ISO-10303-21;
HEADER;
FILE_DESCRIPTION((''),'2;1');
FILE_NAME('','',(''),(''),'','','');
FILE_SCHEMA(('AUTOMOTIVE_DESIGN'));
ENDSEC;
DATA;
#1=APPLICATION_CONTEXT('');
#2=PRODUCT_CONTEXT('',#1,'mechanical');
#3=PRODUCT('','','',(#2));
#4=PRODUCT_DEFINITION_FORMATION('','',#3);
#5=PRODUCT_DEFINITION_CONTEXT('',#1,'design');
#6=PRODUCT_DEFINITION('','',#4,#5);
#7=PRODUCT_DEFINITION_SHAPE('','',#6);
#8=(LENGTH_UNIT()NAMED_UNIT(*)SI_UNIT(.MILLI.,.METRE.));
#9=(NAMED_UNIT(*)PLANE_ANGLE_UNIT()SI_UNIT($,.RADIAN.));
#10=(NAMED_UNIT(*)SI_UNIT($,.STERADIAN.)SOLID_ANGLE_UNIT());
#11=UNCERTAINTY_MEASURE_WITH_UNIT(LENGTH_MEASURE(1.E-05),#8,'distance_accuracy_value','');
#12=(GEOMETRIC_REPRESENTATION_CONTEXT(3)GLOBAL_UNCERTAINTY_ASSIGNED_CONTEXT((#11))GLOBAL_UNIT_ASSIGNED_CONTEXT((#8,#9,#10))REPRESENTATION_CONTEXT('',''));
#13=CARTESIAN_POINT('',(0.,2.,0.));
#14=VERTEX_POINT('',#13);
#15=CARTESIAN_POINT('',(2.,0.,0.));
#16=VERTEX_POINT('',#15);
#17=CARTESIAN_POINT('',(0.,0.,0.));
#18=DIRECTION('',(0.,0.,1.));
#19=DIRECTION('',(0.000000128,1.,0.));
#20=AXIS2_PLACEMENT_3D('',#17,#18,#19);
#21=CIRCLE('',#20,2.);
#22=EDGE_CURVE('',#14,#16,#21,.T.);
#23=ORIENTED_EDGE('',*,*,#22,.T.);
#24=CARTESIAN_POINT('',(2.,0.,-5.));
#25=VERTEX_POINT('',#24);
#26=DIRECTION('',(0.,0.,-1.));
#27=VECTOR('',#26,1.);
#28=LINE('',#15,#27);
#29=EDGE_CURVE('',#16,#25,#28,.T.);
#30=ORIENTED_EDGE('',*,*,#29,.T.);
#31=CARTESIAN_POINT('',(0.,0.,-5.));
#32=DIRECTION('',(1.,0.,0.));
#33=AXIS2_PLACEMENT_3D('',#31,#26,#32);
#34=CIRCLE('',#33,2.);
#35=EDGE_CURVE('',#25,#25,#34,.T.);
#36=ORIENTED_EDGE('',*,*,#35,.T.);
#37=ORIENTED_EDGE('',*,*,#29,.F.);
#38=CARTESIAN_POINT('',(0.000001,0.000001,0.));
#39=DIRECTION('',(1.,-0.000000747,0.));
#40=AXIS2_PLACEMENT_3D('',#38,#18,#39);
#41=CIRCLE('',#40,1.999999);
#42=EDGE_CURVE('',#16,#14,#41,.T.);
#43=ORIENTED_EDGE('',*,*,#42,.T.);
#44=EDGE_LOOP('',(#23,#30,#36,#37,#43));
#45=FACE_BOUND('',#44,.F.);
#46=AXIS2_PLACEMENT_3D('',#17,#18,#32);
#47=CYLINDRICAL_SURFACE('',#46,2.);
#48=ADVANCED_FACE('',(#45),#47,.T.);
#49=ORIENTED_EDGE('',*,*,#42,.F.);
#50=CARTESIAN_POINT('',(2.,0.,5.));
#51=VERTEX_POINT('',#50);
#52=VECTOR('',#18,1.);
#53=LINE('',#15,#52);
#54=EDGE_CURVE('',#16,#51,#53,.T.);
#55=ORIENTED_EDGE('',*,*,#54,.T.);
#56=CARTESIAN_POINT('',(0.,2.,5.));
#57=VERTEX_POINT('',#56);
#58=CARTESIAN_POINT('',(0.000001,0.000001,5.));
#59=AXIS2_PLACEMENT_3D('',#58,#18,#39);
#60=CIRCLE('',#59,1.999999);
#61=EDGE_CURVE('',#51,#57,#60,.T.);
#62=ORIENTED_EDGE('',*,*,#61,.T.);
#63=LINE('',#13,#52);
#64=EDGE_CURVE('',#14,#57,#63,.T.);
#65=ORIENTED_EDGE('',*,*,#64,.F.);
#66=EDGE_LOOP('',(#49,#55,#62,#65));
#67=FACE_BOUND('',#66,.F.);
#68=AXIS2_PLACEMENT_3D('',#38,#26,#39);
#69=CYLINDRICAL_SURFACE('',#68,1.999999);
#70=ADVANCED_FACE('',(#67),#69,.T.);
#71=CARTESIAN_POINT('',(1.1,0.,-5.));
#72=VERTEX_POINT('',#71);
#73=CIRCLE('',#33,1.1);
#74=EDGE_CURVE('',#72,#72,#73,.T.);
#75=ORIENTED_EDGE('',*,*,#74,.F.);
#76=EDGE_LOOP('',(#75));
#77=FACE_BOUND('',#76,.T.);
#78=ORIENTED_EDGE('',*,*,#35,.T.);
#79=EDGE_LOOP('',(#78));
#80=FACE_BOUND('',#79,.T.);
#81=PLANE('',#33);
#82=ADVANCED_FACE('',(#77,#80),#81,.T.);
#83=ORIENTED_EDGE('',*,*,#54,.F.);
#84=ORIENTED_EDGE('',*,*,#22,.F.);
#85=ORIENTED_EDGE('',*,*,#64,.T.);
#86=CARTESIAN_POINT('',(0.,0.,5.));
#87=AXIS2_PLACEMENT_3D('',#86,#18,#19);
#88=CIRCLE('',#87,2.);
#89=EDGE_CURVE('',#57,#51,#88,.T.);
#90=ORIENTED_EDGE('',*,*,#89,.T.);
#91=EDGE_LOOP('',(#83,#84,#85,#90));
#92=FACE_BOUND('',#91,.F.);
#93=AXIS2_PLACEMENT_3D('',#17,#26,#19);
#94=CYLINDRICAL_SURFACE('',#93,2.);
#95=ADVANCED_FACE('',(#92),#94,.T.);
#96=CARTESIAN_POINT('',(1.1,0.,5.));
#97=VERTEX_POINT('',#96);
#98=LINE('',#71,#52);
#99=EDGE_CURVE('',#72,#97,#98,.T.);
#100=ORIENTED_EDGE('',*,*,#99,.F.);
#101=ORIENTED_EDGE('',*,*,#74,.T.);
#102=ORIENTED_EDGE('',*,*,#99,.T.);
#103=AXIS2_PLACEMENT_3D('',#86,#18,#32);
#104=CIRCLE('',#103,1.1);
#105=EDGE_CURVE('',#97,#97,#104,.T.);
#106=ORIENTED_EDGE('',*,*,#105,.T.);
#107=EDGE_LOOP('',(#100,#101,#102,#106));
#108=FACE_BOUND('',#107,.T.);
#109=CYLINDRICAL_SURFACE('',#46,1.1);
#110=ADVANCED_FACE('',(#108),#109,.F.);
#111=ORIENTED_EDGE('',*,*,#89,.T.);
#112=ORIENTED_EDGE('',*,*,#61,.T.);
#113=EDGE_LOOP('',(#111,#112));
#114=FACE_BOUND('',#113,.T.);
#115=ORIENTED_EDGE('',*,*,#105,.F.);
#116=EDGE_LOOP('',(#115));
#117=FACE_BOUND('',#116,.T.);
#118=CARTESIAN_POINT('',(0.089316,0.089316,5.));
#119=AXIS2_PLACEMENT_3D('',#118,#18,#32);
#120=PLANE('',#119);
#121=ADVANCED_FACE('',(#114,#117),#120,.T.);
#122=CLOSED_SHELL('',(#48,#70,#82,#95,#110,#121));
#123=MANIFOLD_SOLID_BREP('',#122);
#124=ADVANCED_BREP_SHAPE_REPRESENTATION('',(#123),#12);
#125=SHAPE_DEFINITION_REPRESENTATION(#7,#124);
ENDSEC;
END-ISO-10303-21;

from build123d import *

# Parameters (mm, degrees)
F0_R        = 1.1
F1_DEPTH    = 5
F1_FACE_R   = 2
F1_FACE_R_2 = 1.1
F2_DEPTH    = 5


with BuildPart() as f1:
    # F0 (on Top) → F1 (new body)
    with BuildSketch(Plane.XY):
        with BuildLine():
            ThreePointArc((0, 2), (-1.414214, -1.414214), (2, 0))
            ThreePointArc((2, 0), (1.414214, 1.414214), (0, 2))
        make_face()
        Circle(F0_R, mode=Mode.SUBTRACT)
    extrude(amount=F1_DEPTH)

    # F1_face (on face) → F2 (join)
    with BuildSketch(Plane(origin=(0, 0, 0), x_dir=(1, 0, 0), z_dir=(0, 0, -1))):
        Circle(F1_FACE_R)
        Circle(F1_FACE_R_2, mode=Mode.SUBTRACT)
    extrude(amount=F2_DEPTH)


solid = f1.part
